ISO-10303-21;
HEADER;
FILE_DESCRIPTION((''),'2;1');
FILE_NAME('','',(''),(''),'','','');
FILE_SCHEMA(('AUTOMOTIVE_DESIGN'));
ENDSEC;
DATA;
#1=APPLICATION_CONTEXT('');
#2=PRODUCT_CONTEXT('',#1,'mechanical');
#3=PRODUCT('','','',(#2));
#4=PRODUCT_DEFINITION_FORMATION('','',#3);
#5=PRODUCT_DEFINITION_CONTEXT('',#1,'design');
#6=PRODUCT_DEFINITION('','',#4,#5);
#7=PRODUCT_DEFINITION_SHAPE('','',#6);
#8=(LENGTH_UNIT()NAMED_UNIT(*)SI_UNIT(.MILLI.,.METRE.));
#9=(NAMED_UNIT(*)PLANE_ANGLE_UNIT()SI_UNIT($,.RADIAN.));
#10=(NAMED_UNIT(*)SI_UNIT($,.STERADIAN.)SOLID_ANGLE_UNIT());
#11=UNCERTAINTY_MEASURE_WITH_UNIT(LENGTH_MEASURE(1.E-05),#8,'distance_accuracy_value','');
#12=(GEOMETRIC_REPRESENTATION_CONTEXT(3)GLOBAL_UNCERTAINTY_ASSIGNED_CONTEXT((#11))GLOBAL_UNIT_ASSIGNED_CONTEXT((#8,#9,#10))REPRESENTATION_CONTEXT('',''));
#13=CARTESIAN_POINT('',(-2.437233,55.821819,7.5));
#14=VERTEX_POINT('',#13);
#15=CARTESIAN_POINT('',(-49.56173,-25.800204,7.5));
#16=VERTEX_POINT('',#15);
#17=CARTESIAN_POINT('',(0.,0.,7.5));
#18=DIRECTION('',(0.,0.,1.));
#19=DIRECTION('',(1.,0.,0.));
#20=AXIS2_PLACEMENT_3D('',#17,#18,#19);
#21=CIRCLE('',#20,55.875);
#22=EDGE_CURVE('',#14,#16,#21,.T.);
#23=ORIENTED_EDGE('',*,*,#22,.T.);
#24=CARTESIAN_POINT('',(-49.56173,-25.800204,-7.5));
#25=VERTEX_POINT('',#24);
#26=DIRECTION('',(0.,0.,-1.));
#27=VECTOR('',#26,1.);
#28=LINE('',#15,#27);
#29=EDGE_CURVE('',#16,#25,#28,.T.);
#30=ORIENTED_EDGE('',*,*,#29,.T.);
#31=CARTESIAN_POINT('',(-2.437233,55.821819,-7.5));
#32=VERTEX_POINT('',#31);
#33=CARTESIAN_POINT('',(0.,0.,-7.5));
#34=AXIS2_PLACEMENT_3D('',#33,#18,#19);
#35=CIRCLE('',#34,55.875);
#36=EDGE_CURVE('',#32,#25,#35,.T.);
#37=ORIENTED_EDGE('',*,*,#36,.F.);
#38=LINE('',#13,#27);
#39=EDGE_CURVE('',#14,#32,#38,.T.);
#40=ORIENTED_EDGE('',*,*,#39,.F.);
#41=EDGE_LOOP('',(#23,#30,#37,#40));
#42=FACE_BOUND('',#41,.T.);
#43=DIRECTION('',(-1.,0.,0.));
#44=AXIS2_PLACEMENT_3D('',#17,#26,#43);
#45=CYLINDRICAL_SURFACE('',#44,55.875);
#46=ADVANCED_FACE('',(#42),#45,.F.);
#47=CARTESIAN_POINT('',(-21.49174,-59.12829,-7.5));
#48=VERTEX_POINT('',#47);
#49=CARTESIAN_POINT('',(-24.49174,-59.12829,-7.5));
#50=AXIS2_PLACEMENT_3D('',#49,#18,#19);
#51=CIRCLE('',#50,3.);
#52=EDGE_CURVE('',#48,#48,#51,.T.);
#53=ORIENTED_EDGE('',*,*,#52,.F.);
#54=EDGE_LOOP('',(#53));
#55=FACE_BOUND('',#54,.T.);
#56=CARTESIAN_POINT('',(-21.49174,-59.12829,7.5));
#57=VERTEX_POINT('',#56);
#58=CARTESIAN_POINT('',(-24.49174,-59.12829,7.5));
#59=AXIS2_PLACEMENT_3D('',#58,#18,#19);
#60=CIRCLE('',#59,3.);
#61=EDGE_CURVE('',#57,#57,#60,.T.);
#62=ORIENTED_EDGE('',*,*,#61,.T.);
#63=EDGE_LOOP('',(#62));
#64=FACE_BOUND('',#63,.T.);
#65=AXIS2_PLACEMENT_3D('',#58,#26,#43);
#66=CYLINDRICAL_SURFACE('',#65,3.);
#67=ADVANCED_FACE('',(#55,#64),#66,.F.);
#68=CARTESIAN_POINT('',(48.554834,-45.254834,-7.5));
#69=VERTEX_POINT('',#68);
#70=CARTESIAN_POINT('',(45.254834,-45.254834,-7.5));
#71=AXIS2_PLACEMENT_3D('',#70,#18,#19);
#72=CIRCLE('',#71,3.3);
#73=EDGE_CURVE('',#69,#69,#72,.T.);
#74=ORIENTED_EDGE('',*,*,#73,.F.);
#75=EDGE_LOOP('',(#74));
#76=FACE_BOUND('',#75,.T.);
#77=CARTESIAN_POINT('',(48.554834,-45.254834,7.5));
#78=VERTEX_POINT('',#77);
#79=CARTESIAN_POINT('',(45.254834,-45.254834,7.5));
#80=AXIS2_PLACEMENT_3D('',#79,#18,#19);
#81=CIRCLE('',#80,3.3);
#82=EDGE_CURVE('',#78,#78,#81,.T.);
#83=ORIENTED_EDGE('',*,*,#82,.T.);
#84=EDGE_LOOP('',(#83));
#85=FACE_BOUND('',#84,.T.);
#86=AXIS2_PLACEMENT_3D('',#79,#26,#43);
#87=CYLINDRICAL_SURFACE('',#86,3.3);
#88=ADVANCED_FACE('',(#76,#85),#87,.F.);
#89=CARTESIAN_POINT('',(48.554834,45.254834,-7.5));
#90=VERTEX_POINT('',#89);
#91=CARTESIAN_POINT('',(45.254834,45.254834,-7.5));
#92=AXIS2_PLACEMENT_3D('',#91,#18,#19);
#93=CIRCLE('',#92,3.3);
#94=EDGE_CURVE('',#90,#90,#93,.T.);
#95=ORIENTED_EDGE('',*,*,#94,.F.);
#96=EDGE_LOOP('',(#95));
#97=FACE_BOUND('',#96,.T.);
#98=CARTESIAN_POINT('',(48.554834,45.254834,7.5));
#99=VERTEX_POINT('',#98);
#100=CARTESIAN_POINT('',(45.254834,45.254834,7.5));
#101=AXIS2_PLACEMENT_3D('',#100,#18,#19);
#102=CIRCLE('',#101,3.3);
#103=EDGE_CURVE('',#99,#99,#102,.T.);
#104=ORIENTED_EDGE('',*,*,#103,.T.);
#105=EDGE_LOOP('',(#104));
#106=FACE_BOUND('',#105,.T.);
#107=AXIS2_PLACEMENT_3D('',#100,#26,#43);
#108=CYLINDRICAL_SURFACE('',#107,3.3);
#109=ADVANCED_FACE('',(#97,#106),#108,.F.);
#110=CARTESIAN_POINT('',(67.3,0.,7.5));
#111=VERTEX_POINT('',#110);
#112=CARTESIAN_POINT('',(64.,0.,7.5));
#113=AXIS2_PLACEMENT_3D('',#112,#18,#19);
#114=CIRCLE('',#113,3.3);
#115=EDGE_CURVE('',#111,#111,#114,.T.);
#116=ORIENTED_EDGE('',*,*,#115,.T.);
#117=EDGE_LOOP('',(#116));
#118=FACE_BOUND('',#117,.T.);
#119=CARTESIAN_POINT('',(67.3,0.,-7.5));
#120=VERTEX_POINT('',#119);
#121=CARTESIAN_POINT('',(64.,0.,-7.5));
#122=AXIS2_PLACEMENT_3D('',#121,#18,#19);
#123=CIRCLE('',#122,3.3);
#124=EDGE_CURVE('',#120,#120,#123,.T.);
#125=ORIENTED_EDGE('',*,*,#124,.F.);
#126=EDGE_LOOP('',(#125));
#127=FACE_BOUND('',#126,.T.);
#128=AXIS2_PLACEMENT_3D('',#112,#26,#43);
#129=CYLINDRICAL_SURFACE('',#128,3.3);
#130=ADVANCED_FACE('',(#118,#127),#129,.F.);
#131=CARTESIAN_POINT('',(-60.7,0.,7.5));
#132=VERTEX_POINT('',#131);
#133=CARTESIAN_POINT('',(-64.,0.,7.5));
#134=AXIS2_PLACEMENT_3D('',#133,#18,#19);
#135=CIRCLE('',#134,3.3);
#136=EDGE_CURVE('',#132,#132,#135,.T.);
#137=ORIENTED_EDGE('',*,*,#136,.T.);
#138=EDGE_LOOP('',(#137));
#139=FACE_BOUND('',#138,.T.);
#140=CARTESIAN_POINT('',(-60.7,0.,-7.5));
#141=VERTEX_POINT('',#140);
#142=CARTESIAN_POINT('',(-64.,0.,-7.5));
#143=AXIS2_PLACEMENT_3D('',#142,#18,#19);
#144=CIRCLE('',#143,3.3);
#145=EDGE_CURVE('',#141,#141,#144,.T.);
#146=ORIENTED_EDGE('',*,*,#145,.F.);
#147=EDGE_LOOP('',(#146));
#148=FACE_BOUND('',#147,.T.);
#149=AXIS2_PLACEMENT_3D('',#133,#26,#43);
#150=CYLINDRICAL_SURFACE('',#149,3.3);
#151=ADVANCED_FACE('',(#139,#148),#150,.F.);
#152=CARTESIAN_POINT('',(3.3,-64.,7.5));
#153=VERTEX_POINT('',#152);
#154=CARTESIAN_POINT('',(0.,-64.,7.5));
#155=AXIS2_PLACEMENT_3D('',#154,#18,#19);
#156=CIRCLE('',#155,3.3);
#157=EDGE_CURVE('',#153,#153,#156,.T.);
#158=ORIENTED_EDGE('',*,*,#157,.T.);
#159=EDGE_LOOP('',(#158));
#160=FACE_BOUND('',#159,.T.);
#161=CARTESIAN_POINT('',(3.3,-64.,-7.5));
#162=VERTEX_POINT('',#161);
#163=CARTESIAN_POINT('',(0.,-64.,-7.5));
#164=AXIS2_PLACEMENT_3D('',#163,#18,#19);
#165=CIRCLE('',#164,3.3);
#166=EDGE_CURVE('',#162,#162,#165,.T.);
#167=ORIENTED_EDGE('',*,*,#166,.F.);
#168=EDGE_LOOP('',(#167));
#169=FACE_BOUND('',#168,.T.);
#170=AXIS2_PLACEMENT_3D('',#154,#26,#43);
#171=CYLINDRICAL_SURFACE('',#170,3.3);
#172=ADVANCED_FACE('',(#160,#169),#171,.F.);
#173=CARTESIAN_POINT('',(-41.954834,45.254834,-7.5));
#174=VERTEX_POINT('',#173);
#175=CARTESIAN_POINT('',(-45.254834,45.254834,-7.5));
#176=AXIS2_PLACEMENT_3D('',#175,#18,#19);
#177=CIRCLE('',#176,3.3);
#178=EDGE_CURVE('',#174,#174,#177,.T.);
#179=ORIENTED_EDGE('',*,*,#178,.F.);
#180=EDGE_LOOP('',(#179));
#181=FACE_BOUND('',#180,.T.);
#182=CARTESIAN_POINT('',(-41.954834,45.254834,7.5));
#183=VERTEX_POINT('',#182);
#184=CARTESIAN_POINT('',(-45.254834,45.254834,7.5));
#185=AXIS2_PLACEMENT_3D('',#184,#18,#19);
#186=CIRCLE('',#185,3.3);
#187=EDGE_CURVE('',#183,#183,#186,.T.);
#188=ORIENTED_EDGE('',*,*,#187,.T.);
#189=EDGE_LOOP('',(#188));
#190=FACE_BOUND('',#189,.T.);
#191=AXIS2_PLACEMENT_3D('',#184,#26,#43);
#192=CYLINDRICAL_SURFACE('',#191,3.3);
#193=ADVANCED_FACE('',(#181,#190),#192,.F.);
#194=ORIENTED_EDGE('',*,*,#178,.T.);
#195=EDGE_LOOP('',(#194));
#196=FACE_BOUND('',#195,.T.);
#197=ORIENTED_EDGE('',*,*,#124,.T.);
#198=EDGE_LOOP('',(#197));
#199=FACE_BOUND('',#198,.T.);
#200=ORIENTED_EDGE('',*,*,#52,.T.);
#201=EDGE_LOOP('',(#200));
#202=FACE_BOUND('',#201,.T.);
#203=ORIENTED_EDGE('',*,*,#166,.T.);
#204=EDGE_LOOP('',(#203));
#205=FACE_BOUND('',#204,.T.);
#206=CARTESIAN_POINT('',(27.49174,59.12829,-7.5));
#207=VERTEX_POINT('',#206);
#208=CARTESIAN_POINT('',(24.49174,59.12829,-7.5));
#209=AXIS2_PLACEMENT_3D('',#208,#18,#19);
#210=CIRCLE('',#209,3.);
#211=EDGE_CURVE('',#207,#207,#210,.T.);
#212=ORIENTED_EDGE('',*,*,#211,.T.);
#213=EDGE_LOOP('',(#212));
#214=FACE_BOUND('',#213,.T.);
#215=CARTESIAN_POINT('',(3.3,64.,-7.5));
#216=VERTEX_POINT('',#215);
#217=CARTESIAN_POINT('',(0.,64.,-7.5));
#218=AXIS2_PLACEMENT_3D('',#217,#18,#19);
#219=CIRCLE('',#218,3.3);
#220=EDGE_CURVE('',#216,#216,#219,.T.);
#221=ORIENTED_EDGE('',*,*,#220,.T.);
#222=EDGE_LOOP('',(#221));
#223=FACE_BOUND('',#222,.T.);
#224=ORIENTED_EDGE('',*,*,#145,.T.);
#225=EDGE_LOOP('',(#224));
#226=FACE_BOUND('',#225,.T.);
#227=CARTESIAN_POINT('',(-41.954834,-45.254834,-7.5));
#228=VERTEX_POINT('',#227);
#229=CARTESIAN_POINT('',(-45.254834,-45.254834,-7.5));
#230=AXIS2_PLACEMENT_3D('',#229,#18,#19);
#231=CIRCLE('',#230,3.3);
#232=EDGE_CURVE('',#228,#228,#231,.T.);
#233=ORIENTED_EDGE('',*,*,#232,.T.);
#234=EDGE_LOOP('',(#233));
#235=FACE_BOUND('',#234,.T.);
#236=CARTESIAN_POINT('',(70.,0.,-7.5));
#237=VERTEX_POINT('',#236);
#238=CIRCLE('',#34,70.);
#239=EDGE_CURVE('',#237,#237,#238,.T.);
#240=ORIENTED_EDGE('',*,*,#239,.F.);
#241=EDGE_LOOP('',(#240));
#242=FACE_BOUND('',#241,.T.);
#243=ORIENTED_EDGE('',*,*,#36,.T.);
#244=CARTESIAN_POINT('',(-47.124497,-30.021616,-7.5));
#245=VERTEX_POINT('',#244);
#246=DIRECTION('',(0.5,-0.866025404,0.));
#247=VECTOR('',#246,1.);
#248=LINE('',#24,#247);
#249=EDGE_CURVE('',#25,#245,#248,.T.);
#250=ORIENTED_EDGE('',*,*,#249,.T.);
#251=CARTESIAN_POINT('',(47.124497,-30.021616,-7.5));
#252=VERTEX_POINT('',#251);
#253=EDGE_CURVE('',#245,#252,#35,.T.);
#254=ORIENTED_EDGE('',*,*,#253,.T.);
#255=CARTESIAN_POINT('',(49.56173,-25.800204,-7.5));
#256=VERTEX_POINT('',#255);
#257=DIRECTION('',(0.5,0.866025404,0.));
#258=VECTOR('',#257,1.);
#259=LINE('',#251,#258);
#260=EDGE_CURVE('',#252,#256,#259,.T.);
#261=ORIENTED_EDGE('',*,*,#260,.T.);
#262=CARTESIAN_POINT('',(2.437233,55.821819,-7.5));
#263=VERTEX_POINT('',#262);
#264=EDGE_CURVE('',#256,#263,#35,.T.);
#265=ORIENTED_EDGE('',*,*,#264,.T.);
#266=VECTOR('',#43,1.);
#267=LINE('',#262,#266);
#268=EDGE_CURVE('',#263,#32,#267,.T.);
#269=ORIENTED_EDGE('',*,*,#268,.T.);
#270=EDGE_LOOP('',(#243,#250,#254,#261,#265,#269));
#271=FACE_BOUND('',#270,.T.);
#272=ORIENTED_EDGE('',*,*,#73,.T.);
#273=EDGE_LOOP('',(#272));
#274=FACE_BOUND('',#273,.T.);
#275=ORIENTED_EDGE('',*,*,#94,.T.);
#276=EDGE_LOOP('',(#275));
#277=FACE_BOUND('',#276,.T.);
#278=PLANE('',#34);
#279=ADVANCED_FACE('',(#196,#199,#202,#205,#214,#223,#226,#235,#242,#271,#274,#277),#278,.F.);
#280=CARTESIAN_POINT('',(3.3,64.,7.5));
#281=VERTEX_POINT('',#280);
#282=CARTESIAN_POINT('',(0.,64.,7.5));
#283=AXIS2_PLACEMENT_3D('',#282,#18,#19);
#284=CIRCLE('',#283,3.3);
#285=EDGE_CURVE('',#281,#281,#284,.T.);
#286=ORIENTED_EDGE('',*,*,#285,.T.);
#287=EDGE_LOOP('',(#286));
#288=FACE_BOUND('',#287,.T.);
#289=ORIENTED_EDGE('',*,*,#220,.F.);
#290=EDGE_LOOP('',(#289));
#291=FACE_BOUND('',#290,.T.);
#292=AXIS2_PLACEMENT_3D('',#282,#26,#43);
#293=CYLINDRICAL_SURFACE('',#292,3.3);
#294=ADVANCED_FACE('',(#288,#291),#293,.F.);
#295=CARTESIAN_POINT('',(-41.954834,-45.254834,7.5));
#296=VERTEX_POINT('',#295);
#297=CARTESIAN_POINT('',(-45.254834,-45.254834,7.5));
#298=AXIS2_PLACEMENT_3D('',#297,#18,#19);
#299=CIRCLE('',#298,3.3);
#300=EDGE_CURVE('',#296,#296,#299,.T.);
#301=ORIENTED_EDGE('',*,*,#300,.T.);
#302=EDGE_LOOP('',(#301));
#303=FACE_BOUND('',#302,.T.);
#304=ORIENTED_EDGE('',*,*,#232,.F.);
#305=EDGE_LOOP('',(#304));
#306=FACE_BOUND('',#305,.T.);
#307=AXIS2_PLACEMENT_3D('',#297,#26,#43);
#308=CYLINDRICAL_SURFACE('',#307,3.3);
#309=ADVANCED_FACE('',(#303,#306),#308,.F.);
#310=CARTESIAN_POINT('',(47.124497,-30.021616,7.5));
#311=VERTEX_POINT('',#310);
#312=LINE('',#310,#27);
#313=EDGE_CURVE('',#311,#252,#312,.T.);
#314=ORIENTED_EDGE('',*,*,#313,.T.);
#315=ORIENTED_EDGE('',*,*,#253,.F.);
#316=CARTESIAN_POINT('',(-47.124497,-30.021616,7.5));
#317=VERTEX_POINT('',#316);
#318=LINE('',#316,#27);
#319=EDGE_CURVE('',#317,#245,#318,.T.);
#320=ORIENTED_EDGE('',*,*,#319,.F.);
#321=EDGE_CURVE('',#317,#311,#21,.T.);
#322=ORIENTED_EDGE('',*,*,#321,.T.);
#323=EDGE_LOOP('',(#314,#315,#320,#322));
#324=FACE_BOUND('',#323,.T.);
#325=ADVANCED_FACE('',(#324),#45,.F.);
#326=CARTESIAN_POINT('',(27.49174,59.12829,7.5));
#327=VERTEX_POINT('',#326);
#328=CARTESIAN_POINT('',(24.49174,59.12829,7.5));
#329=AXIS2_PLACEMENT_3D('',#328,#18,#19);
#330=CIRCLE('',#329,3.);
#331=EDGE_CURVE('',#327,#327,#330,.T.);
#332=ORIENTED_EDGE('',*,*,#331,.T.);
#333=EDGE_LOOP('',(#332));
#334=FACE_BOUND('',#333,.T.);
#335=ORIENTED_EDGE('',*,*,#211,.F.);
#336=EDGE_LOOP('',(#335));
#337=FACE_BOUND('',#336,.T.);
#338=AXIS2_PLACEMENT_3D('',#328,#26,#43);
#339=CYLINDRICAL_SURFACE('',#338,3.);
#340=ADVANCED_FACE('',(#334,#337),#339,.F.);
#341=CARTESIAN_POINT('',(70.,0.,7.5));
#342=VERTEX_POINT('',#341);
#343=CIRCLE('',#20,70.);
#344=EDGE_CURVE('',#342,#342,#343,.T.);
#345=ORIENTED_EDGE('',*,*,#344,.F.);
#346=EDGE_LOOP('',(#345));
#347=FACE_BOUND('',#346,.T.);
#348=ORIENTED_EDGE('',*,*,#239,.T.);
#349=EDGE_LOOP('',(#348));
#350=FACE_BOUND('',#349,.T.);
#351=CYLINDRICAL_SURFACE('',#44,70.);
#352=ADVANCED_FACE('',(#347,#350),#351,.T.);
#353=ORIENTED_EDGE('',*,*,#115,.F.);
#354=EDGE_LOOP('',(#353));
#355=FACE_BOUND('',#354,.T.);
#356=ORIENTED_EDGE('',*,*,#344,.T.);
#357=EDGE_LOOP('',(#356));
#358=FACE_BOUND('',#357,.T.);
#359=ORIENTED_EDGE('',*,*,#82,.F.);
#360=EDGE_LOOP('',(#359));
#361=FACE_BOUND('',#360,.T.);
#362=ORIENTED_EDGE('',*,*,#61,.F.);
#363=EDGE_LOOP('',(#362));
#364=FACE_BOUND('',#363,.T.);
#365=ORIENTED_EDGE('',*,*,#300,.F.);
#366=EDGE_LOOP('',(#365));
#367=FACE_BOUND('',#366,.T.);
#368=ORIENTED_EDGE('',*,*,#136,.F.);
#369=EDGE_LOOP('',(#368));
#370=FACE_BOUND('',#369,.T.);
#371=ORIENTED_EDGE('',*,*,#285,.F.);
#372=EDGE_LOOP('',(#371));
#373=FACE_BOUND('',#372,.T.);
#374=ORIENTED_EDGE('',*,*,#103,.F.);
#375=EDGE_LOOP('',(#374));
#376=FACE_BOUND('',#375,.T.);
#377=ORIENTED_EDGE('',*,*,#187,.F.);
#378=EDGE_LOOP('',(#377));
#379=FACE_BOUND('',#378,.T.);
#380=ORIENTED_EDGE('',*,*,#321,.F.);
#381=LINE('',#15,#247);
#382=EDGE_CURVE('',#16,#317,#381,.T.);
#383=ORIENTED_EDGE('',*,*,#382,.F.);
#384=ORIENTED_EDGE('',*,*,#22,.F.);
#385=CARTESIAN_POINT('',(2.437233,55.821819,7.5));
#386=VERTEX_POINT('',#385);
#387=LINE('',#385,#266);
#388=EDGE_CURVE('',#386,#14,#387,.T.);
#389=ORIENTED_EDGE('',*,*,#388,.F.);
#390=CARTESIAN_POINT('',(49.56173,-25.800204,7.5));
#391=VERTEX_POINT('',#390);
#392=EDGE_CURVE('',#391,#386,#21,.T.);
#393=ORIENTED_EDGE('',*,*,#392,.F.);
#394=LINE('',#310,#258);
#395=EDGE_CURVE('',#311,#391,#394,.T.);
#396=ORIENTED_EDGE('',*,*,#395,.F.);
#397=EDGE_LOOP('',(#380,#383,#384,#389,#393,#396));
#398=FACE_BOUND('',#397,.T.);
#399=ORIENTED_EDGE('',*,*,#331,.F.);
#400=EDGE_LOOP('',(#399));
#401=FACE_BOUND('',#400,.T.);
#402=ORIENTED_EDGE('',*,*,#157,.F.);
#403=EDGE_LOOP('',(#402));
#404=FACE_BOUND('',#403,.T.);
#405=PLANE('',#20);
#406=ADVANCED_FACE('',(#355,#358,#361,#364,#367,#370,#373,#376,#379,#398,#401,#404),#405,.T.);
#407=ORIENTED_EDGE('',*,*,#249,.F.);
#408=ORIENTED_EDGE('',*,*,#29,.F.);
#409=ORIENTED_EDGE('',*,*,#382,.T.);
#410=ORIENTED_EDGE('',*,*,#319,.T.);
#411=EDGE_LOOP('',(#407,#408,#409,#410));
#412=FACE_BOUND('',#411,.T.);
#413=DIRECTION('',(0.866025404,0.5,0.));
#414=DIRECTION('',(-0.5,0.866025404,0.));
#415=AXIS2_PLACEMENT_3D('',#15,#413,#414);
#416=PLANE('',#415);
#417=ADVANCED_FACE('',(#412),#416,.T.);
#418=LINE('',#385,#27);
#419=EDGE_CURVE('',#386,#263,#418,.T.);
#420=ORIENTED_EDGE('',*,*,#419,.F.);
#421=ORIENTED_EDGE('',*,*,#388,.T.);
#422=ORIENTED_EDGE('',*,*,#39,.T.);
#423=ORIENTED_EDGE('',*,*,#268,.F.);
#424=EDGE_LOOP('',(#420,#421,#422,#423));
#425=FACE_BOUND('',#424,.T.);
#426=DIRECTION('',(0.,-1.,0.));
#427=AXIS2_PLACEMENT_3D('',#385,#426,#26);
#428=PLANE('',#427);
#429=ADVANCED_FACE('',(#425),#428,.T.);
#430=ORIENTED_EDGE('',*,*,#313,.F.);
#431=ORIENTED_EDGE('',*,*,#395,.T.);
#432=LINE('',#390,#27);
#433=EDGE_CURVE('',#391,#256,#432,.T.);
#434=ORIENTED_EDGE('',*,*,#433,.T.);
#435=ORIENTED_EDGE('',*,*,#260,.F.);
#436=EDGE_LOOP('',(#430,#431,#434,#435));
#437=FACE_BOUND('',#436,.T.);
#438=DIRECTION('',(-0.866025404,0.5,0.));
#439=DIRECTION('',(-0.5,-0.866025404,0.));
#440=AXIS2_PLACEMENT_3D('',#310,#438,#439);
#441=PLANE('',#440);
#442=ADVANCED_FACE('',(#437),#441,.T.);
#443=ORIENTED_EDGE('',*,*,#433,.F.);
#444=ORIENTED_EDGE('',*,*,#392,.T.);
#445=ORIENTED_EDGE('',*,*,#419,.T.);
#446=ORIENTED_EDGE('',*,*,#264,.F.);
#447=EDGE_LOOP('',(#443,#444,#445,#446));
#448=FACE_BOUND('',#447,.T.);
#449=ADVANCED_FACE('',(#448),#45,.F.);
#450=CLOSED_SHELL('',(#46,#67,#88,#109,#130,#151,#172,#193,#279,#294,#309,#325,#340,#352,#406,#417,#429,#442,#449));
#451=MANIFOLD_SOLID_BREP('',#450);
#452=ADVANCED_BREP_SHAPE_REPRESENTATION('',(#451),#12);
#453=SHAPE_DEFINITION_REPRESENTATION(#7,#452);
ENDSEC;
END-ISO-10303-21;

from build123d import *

# Parameters (mm, degrees)
SKETCH1_R           = 70
SKETCH1_R_2         = 3.3
SKETCH1_R_3         = 3
BOSS_EXTRUDE1_DEPTH = 7.5


with BuildPart() as part:
    # Sketch1 → Boss-Extrude1 (new, symmetric)
    with BuildSketch(Plane.XY):
        Circle(SKETCH1_R)
        with Locations((64, 0)):
            Circle(SKETCH1_R_2, mode=Mode.SUBTRACT)
        with Locations((45.254833996, 45.254833996)):
            Circle(SKETCH1_R_2, mode=Mode.SUBTRACT)
        with Locations((0, 64)):
            Circle(SKETCH1_R_2, mode=Mode.SUBTRACT)
        with Locations((-45.254833996, 45.254833996)):
            Circle(SKETCH1_R_2, mode=Mode.SUBTRACT)
        with Locations((-64, 0)):
            Circle(SKETCH1_R_2, mode=Mode.SUBTRACT)
        with Locations((-45.254833996, -45.254833996)):
            Circle(SKETCH1_R_2, mode=Mode.SUBTRACT)
        with Locations((0, -64)):
            Circle(SKETCH1_R_2, mode=Mode.SUBTRACT)
        with Locations((45.254833996, -45.254833996)):
            Circle(SKETCH1_R_2, mode=Mode.SUBTRACT)
        with Locations((24.491739671, 59.128290081)):
            Circle(SKETCH1_R_3, mode=Mode.SUBTRACT)
        with Locations((-24.491739671, -59.128290081)):
            Circle(SKETCH1_R_3, mode=Mode.SUBTRACT)
        with BuildLine():
            Line((2.437233269, 55.821819381), (-2.437233269, 55.821819381))
            ThreePointArc((-2.437233269, 55.821819381), (-48.389169436, 27.9375), (-49.561730304, -25.800203765))
            Line((-49.561730304, -25.800203765), (-47.124497035, -30.021615616))
            ThreePointArc((-47.124497035, -30.021615616), (0, -55.875), (47.124497035, -30.021615616))
            Line((47.124497035, -30.021615616), (49.561730304, -25.800203765))
            ThreePointArc((49.561730304, -25.800203765), (48.389169436, 27.9375), (2.437233269, 55.821819381))
        make_face(mode=Mode.SUBTRACT)
    extrude(amount=BOSS_EXTRUDE1_DEPTH, both=True)


solid = part.part
